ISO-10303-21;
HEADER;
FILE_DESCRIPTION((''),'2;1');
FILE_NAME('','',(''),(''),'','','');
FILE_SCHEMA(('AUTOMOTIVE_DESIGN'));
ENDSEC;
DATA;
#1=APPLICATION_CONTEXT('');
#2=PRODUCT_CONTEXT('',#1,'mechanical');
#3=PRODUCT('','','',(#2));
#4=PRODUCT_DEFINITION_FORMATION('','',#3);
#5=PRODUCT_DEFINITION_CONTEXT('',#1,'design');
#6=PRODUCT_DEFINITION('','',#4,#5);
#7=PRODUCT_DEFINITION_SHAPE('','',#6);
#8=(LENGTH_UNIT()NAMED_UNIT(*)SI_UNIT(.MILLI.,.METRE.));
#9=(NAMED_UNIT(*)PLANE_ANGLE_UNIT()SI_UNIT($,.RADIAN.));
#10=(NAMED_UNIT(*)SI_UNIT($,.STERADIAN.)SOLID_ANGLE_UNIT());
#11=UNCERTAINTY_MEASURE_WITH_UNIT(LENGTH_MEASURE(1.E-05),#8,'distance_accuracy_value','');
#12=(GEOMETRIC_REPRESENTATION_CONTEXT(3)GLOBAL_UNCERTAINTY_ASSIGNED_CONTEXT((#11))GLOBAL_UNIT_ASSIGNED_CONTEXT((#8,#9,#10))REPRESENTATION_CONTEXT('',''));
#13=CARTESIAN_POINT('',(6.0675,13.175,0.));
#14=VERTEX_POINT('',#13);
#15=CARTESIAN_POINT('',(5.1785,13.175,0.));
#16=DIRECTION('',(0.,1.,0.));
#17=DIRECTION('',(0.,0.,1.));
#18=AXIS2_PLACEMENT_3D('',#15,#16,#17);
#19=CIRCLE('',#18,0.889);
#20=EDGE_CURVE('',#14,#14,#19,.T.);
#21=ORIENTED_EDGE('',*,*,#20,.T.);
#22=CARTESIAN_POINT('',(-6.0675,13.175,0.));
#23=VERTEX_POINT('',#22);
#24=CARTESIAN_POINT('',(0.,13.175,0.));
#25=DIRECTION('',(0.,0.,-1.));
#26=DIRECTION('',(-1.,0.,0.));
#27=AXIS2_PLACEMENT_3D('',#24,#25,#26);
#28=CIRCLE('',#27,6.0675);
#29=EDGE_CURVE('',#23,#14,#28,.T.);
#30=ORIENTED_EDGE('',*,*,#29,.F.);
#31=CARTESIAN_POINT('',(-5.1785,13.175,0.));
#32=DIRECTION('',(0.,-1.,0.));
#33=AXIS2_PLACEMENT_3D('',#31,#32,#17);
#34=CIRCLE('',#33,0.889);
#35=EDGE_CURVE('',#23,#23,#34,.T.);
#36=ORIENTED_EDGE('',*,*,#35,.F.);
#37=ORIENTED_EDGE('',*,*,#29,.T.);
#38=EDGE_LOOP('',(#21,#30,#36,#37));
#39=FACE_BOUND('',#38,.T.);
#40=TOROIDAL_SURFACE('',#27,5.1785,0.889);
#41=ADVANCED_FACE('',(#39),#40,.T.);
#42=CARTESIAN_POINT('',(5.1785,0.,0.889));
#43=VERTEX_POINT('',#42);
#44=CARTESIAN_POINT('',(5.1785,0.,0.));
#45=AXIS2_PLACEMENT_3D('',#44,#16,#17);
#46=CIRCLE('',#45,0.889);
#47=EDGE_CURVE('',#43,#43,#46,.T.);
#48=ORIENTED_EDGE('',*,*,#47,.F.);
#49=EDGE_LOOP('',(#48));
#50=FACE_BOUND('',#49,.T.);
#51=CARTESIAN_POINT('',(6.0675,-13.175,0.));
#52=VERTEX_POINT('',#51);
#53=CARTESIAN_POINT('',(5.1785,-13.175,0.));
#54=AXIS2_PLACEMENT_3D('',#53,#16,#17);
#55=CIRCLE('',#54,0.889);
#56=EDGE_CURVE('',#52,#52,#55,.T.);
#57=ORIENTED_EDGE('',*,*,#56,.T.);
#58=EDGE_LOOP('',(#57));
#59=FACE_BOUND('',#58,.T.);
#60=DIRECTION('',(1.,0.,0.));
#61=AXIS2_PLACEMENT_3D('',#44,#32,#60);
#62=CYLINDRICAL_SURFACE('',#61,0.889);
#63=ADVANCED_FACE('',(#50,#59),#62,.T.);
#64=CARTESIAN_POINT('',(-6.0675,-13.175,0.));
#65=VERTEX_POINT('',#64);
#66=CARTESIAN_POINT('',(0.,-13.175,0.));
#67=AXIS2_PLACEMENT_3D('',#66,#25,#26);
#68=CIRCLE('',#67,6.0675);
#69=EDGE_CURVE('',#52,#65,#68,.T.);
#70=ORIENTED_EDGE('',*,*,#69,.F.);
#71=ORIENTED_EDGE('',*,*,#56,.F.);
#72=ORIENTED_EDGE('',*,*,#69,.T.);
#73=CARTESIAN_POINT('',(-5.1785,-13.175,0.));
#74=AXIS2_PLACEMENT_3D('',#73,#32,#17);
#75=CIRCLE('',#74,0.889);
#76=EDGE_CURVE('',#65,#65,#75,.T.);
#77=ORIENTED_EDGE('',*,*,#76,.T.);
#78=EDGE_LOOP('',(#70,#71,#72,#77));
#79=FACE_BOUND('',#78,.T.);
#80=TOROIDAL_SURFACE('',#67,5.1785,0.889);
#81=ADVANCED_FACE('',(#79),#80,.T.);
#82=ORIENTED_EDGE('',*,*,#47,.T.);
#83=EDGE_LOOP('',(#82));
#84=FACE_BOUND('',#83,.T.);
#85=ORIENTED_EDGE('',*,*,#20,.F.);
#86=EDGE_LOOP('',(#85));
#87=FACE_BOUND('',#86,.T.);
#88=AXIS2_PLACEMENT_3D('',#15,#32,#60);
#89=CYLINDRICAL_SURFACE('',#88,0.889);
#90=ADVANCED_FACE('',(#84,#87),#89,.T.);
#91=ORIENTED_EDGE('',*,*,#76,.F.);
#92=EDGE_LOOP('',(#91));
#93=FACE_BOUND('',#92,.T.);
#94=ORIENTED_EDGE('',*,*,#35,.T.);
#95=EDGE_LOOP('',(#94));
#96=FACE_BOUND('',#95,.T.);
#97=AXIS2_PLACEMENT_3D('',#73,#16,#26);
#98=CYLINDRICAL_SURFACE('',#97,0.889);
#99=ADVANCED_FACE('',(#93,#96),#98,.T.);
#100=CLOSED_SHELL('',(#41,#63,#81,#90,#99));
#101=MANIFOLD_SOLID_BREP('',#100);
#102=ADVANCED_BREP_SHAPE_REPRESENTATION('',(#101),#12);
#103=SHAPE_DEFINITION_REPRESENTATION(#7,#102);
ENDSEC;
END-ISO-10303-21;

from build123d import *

# Parameters (mm, degrees)
SKETCH2_R = 0.889


with BuildPart() as part:
    # -019 O-Ring: sweep along a path in Sketch1
    with BuildLine(Plane.XY) as f_019_o_ring_path:
        Line((-4.2895, -13.175), (-4.2895, 13.175))
        ThreePointArc((-4.2895, 13.175), (0, 17.4645), (4.2895, 13.175))
        Line((4.2895, 13.175), (4.2895, -13.175))
        ThreePointArc((4.2895, -13.175), (0, -17.4645), (-4.2895, -13.175))
    # Sketch2 → -019 O-Ring (sweep)
    with BuildSketch(Plane(origin=(0, 0, 0), x_dir=(1, 0, 0), z_dir=(0, 1, 0))):
        with Locations((5.1785, 0)):
            Circle(SKETCH2_R)
    sweep(path=f_019_o_ring_path.line)


solid = part.part
